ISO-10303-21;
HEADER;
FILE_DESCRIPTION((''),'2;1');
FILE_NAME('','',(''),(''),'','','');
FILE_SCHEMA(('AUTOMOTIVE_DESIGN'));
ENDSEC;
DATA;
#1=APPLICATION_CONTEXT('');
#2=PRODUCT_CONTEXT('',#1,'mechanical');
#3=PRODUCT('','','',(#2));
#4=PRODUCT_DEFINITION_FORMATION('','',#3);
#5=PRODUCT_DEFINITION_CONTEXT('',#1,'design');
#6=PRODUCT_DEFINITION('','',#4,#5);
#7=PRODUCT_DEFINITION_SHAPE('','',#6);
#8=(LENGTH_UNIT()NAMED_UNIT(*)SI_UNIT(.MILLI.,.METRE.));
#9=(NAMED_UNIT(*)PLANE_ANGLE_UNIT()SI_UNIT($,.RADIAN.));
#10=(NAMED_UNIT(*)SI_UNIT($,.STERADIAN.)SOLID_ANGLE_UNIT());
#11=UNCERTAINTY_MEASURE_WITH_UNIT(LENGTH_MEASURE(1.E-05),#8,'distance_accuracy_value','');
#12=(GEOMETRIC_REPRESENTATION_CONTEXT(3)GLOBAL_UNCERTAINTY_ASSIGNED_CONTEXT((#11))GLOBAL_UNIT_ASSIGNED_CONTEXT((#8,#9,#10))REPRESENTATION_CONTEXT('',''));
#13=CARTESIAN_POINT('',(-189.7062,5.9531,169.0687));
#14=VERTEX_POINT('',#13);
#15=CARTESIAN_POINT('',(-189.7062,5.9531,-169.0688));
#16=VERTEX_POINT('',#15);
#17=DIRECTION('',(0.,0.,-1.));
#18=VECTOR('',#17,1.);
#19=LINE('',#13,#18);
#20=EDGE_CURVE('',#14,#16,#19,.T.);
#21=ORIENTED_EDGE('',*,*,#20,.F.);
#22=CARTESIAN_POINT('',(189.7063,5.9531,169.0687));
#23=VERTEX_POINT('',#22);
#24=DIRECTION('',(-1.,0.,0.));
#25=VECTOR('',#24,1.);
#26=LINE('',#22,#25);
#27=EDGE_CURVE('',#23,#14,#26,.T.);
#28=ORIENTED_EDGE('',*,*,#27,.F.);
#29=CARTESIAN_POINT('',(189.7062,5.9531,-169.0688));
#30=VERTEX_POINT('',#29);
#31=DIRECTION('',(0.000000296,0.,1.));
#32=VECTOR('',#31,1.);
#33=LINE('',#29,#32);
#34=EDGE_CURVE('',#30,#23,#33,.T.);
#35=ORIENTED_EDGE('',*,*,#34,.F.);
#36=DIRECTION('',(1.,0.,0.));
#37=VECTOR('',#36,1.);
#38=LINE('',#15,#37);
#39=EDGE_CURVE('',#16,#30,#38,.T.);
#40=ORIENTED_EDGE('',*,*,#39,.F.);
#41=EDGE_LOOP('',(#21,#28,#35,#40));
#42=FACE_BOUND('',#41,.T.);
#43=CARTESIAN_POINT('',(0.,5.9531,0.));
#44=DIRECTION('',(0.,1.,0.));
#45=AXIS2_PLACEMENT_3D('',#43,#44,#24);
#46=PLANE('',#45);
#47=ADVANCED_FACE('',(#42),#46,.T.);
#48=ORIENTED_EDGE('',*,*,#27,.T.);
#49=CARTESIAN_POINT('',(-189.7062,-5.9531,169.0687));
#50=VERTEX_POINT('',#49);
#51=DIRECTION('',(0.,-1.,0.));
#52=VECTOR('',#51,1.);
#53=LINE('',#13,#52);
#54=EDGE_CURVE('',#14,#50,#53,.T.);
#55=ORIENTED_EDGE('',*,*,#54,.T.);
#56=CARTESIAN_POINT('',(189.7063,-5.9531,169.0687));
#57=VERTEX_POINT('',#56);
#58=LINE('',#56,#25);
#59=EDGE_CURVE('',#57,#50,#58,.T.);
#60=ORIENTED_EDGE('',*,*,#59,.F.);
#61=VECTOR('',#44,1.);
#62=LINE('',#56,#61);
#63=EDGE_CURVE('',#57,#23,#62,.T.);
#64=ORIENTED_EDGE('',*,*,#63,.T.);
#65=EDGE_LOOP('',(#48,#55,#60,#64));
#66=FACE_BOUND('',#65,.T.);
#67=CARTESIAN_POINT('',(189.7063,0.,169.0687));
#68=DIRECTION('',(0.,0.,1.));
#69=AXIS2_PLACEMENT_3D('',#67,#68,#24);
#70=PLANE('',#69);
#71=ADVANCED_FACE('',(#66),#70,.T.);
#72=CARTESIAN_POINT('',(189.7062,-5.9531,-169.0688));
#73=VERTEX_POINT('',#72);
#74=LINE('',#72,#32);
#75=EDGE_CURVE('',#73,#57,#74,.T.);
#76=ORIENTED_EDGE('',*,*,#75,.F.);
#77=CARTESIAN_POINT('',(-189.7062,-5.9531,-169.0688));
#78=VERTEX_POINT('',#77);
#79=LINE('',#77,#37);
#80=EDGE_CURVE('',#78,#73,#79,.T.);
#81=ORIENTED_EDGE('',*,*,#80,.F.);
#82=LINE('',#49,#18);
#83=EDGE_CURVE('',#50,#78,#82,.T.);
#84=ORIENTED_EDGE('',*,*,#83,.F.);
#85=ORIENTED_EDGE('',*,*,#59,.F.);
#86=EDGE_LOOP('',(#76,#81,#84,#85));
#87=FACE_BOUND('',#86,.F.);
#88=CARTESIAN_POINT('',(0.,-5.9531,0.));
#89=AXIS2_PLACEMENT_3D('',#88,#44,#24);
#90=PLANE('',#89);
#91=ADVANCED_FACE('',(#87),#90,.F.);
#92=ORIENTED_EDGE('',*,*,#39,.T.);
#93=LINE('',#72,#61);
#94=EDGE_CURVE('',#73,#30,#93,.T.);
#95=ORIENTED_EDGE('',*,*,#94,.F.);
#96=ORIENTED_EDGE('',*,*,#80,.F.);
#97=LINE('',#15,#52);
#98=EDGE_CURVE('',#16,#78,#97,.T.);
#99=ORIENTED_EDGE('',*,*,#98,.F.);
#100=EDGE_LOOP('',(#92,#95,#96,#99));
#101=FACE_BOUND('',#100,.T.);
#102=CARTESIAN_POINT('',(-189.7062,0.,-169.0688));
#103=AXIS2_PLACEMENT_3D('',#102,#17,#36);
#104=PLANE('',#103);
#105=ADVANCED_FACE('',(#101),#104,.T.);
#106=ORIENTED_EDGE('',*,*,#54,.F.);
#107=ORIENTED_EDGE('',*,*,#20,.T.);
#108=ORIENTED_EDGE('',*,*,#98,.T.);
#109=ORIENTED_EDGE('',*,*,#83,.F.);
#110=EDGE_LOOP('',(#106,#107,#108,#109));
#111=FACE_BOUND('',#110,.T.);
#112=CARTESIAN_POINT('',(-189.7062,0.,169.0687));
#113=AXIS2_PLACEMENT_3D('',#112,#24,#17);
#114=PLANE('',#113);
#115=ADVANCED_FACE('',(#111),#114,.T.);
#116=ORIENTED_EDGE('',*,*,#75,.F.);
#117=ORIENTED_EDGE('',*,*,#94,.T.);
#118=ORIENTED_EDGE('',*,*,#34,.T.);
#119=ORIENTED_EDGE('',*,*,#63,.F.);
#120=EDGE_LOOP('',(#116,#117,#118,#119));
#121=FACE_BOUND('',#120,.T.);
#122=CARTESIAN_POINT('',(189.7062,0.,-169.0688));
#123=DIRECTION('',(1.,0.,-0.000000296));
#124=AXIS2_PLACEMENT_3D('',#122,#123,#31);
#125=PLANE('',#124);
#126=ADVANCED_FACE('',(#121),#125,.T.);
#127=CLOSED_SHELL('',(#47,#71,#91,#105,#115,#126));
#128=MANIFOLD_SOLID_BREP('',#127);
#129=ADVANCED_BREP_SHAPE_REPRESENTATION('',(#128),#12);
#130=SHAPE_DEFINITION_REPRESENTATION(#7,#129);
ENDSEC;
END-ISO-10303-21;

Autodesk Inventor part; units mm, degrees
ref_plane "YZ Plane" through (0, 0, 0) normal (1, 0, 0) x (0, 1, 0)
ref_plane "XZ Plane" through (0, 0, 0) normal (0, 1, 0) x (-1, 0, 0)
ref_plane "XY Plane" through (0, 0, 0) normal (0, 0, 1) x (1, 0, 0)
sketch "Sketch1" plane through (0, 0, 0) normal (0, 1, 0) x (-1, 0, 0)
  line L0 (-189.7063, 169.0687) -> (189.7062, 169.0687)
  line L1 (189.7062, 169.0687) -> (189.7062, -169.0688)
  line L2 (189.7062, -169.0688) -> (-189.7062, -169.0688)
  line L3 (-189.7062, -169.0688) -> (-189.7063, 169.0687)
  line L4 (-189.7063, 169.0687) -> (189.7062, -169.0688) construction
  line L5 (189.7062, 169.0687) -> (-189.7062, -169.0688) construction
  point P0 (0, 0)
  dimension "d2" = 338.1375
  dimension "d3" = 379.4125
extrude "Extrusion1" add sketch "Sketch1" along normal mid plane 11.9062
properties part number "TB_Sides"
